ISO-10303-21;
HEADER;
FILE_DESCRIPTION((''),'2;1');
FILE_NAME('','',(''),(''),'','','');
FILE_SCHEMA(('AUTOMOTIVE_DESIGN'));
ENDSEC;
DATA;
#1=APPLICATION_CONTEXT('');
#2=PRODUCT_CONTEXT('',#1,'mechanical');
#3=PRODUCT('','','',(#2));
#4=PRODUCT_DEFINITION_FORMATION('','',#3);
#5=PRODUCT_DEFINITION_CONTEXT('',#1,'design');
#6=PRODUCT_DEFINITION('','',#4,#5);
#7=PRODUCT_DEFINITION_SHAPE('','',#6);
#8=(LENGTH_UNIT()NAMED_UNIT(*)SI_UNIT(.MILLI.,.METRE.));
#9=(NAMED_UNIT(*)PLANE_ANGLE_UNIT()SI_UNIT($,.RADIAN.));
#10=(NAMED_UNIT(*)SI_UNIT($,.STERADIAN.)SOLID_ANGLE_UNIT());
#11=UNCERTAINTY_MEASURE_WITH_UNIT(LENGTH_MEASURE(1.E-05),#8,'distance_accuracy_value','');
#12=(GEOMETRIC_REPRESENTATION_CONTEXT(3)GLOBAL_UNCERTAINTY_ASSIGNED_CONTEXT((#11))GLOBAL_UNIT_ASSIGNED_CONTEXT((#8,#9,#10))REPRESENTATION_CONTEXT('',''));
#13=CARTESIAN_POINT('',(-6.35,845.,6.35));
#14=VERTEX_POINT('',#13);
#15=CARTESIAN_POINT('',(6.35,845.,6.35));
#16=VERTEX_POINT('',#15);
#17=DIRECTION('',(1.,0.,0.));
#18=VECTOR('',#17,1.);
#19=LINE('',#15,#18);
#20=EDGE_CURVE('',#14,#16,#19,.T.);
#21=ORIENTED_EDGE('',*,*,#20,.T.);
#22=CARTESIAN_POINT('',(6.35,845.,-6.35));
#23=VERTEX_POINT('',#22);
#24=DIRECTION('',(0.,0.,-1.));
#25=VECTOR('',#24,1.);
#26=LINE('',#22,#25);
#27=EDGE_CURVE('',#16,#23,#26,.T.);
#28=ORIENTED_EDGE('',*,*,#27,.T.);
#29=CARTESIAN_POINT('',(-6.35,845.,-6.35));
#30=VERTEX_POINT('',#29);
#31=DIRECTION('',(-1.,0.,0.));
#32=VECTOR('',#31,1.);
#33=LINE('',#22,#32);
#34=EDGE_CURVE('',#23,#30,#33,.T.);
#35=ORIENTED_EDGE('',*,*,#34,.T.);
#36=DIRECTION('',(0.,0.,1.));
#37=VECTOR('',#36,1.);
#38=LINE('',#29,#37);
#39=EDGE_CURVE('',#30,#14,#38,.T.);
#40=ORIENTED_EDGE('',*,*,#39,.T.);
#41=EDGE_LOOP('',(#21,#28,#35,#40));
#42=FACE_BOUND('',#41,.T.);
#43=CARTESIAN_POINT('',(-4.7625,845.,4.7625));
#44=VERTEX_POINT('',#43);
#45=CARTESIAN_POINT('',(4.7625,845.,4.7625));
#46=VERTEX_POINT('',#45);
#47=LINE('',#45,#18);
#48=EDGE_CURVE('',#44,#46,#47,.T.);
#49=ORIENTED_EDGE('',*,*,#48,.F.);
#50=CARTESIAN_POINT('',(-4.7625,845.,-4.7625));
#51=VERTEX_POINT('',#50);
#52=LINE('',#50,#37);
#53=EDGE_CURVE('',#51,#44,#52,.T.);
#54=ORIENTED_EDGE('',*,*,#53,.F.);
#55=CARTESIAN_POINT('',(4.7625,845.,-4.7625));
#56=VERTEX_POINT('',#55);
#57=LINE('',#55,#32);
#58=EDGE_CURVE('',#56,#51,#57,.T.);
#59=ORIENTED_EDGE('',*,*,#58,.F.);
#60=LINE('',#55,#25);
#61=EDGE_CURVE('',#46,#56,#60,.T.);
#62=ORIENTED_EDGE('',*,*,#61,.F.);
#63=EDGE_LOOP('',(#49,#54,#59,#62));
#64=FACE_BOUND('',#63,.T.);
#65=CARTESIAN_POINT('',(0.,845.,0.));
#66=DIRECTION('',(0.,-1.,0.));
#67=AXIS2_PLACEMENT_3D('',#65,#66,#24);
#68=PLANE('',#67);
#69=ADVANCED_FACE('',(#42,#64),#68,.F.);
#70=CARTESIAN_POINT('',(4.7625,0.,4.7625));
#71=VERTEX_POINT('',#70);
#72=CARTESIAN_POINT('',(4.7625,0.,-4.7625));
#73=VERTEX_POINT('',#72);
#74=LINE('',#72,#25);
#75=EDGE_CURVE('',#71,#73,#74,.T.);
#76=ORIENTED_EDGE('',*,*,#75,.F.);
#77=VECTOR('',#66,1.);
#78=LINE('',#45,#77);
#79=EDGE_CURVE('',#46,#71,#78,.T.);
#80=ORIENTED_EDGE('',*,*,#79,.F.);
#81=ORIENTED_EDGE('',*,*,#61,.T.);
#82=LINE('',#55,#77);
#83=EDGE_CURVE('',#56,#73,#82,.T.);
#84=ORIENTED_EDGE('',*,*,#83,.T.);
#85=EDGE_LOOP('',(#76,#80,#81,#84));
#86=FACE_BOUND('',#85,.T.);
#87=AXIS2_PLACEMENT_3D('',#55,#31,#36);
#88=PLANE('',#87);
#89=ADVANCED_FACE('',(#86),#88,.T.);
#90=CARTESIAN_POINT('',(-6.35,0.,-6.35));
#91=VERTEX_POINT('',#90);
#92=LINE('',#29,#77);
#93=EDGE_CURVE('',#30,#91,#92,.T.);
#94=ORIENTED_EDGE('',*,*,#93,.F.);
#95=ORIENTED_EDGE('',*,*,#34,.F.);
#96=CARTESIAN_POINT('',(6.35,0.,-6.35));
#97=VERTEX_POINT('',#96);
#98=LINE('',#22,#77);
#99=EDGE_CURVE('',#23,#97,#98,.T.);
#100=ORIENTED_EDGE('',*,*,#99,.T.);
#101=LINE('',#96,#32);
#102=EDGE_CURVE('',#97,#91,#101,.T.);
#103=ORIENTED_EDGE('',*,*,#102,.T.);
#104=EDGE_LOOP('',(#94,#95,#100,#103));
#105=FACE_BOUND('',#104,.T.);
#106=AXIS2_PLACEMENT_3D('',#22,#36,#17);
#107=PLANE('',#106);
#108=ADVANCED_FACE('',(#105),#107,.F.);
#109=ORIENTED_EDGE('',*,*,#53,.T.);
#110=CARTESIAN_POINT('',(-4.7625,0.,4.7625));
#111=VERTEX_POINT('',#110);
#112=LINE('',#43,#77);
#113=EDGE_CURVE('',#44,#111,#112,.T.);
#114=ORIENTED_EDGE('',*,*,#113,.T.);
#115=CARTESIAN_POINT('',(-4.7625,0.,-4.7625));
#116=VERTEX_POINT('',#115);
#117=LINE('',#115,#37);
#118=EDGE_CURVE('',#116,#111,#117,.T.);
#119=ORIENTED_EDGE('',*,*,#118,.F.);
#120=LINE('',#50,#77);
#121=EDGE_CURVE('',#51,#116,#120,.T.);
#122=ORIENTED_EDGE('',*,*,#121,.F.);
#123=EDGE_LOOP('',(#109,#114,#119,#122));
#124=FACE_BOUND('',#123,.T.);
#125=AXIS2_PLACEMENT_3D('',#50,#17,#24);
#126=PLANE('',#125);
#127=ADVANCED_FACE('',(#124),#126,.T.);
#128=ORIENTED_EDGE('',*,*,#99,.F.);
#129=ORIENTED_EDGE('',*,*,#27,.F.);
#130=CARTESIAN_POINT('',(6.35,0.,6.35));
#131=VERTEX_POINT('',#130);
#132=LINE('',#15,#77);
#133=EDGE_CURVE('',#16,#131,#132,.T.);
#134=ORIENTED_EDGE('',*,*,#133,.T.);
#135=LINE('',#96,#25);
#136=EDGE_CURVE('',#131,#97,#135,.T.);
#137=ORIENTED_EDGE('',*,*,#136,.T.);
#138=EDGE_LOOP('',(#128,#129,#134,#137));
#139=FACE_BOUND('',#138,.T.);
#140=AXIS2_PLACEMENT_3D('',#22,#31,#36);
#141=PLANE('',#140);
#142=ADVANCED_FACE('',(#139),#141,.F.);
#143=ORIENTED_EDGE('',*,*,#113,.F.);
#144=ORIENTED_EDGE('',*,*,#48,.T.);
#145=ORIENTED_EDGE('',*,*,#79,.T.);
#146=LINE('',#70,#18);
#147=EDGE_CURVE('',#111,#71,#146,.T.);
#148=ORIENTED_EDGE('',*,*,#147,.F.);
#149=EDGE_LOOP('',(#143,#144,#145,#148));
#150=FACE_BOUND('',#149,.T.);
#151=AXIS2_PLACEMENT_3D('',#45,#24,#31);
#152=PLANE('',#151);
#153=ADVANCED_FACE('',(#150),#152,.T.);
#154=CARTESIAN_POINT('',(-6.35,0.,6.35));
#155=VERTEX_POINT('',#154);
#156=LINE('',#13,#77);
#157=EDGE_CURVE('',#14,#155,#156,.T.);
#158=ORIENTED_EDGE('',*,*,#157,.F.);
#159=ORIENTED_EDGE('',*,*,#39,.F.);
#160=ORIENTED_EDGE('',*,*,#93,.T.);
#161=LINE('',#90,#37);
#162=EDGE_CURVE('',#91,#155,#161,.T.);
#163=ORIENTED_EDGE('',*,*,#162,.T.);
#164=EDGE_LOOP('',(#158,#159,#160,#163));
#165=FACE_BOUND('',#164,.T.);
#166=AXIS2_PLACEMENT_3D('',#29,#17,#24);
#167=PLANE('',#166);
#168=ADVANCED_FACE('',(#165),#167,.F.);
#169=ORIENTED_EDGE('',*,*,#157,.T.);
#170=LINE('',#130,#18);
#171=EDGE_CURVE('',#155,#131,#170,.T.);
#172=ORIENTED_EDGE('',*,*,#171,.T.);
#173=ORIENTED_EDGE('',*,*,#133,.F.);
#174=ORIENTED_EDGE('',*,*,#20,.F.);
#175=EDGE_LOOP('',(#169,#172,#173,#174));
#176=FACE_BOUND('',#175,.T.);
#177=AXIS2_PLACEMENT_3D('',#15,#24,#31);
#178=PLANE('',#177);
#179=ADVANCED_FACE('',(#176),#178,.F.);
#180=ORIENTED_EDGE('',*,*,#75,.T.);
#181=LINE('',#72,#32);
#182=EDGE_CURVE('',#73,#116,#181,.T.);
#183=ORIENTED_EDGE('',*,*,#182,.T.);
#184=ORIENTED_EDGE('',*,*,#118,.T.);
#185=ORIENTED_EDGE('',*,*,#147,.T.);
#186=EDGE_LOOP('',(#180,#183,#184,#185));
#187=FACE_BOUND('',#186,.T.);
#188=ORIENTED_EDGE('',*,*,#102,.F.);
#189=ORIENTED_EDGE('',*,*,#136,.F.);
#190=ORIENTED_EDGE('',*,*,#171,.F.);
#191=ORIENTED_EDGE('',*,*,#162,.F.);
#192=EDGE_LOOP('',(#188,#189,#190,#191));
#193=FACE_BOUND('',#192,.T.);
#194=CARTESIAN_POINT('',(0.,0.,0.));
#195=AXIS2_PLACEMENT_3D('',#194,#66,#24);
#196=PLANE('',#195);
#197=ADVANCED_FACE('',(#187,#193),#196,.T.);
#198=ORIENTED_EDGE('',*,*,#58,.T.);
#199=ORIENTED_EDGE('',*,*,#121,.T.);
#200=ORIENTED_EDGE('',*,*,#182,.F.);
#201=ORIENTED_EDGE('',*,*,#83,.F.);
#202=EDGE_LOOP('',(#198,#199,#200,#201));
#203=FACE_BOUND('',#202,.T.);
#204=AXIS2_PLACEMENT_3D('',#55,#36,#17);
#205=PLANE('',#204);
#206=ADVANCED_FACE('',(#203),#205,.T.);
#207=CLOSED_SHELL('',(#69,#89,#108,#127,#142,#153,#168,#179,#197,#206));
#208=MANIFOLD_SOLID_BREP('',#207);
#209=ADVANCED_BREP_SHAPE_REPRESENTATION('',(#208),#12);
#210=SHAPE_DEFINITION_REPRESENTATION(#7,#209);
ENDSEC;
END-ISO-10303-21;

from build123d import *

# Parameters (mm, degrees)
SKETCH1_W           = 12.7
SKETCH1_H           = 12.7
SKETCH1_W_2         = 9.525
SKETCH1_H_2         = 9.525
BOSS_EXTRUDE1_DEPTH = 845


with BuildPart() as part:
    # Sketch1 → Boss-Extrude1 (new body)
    with BuildSketch(Plane(origin=(0, 0, 0), x_dir=(1, 0, 0), z_dir=(0, 1, 0))):
        Rectangle(SKETCH1_W, SKETCH1_H)
        Rectangle(SKETCH1_W_2, SKETCH1_H_2, mode=Mode.SUBTRACT)
    extrude(amount=BOSS_EXTRUDE1_DEPTH)


solid = part.part
